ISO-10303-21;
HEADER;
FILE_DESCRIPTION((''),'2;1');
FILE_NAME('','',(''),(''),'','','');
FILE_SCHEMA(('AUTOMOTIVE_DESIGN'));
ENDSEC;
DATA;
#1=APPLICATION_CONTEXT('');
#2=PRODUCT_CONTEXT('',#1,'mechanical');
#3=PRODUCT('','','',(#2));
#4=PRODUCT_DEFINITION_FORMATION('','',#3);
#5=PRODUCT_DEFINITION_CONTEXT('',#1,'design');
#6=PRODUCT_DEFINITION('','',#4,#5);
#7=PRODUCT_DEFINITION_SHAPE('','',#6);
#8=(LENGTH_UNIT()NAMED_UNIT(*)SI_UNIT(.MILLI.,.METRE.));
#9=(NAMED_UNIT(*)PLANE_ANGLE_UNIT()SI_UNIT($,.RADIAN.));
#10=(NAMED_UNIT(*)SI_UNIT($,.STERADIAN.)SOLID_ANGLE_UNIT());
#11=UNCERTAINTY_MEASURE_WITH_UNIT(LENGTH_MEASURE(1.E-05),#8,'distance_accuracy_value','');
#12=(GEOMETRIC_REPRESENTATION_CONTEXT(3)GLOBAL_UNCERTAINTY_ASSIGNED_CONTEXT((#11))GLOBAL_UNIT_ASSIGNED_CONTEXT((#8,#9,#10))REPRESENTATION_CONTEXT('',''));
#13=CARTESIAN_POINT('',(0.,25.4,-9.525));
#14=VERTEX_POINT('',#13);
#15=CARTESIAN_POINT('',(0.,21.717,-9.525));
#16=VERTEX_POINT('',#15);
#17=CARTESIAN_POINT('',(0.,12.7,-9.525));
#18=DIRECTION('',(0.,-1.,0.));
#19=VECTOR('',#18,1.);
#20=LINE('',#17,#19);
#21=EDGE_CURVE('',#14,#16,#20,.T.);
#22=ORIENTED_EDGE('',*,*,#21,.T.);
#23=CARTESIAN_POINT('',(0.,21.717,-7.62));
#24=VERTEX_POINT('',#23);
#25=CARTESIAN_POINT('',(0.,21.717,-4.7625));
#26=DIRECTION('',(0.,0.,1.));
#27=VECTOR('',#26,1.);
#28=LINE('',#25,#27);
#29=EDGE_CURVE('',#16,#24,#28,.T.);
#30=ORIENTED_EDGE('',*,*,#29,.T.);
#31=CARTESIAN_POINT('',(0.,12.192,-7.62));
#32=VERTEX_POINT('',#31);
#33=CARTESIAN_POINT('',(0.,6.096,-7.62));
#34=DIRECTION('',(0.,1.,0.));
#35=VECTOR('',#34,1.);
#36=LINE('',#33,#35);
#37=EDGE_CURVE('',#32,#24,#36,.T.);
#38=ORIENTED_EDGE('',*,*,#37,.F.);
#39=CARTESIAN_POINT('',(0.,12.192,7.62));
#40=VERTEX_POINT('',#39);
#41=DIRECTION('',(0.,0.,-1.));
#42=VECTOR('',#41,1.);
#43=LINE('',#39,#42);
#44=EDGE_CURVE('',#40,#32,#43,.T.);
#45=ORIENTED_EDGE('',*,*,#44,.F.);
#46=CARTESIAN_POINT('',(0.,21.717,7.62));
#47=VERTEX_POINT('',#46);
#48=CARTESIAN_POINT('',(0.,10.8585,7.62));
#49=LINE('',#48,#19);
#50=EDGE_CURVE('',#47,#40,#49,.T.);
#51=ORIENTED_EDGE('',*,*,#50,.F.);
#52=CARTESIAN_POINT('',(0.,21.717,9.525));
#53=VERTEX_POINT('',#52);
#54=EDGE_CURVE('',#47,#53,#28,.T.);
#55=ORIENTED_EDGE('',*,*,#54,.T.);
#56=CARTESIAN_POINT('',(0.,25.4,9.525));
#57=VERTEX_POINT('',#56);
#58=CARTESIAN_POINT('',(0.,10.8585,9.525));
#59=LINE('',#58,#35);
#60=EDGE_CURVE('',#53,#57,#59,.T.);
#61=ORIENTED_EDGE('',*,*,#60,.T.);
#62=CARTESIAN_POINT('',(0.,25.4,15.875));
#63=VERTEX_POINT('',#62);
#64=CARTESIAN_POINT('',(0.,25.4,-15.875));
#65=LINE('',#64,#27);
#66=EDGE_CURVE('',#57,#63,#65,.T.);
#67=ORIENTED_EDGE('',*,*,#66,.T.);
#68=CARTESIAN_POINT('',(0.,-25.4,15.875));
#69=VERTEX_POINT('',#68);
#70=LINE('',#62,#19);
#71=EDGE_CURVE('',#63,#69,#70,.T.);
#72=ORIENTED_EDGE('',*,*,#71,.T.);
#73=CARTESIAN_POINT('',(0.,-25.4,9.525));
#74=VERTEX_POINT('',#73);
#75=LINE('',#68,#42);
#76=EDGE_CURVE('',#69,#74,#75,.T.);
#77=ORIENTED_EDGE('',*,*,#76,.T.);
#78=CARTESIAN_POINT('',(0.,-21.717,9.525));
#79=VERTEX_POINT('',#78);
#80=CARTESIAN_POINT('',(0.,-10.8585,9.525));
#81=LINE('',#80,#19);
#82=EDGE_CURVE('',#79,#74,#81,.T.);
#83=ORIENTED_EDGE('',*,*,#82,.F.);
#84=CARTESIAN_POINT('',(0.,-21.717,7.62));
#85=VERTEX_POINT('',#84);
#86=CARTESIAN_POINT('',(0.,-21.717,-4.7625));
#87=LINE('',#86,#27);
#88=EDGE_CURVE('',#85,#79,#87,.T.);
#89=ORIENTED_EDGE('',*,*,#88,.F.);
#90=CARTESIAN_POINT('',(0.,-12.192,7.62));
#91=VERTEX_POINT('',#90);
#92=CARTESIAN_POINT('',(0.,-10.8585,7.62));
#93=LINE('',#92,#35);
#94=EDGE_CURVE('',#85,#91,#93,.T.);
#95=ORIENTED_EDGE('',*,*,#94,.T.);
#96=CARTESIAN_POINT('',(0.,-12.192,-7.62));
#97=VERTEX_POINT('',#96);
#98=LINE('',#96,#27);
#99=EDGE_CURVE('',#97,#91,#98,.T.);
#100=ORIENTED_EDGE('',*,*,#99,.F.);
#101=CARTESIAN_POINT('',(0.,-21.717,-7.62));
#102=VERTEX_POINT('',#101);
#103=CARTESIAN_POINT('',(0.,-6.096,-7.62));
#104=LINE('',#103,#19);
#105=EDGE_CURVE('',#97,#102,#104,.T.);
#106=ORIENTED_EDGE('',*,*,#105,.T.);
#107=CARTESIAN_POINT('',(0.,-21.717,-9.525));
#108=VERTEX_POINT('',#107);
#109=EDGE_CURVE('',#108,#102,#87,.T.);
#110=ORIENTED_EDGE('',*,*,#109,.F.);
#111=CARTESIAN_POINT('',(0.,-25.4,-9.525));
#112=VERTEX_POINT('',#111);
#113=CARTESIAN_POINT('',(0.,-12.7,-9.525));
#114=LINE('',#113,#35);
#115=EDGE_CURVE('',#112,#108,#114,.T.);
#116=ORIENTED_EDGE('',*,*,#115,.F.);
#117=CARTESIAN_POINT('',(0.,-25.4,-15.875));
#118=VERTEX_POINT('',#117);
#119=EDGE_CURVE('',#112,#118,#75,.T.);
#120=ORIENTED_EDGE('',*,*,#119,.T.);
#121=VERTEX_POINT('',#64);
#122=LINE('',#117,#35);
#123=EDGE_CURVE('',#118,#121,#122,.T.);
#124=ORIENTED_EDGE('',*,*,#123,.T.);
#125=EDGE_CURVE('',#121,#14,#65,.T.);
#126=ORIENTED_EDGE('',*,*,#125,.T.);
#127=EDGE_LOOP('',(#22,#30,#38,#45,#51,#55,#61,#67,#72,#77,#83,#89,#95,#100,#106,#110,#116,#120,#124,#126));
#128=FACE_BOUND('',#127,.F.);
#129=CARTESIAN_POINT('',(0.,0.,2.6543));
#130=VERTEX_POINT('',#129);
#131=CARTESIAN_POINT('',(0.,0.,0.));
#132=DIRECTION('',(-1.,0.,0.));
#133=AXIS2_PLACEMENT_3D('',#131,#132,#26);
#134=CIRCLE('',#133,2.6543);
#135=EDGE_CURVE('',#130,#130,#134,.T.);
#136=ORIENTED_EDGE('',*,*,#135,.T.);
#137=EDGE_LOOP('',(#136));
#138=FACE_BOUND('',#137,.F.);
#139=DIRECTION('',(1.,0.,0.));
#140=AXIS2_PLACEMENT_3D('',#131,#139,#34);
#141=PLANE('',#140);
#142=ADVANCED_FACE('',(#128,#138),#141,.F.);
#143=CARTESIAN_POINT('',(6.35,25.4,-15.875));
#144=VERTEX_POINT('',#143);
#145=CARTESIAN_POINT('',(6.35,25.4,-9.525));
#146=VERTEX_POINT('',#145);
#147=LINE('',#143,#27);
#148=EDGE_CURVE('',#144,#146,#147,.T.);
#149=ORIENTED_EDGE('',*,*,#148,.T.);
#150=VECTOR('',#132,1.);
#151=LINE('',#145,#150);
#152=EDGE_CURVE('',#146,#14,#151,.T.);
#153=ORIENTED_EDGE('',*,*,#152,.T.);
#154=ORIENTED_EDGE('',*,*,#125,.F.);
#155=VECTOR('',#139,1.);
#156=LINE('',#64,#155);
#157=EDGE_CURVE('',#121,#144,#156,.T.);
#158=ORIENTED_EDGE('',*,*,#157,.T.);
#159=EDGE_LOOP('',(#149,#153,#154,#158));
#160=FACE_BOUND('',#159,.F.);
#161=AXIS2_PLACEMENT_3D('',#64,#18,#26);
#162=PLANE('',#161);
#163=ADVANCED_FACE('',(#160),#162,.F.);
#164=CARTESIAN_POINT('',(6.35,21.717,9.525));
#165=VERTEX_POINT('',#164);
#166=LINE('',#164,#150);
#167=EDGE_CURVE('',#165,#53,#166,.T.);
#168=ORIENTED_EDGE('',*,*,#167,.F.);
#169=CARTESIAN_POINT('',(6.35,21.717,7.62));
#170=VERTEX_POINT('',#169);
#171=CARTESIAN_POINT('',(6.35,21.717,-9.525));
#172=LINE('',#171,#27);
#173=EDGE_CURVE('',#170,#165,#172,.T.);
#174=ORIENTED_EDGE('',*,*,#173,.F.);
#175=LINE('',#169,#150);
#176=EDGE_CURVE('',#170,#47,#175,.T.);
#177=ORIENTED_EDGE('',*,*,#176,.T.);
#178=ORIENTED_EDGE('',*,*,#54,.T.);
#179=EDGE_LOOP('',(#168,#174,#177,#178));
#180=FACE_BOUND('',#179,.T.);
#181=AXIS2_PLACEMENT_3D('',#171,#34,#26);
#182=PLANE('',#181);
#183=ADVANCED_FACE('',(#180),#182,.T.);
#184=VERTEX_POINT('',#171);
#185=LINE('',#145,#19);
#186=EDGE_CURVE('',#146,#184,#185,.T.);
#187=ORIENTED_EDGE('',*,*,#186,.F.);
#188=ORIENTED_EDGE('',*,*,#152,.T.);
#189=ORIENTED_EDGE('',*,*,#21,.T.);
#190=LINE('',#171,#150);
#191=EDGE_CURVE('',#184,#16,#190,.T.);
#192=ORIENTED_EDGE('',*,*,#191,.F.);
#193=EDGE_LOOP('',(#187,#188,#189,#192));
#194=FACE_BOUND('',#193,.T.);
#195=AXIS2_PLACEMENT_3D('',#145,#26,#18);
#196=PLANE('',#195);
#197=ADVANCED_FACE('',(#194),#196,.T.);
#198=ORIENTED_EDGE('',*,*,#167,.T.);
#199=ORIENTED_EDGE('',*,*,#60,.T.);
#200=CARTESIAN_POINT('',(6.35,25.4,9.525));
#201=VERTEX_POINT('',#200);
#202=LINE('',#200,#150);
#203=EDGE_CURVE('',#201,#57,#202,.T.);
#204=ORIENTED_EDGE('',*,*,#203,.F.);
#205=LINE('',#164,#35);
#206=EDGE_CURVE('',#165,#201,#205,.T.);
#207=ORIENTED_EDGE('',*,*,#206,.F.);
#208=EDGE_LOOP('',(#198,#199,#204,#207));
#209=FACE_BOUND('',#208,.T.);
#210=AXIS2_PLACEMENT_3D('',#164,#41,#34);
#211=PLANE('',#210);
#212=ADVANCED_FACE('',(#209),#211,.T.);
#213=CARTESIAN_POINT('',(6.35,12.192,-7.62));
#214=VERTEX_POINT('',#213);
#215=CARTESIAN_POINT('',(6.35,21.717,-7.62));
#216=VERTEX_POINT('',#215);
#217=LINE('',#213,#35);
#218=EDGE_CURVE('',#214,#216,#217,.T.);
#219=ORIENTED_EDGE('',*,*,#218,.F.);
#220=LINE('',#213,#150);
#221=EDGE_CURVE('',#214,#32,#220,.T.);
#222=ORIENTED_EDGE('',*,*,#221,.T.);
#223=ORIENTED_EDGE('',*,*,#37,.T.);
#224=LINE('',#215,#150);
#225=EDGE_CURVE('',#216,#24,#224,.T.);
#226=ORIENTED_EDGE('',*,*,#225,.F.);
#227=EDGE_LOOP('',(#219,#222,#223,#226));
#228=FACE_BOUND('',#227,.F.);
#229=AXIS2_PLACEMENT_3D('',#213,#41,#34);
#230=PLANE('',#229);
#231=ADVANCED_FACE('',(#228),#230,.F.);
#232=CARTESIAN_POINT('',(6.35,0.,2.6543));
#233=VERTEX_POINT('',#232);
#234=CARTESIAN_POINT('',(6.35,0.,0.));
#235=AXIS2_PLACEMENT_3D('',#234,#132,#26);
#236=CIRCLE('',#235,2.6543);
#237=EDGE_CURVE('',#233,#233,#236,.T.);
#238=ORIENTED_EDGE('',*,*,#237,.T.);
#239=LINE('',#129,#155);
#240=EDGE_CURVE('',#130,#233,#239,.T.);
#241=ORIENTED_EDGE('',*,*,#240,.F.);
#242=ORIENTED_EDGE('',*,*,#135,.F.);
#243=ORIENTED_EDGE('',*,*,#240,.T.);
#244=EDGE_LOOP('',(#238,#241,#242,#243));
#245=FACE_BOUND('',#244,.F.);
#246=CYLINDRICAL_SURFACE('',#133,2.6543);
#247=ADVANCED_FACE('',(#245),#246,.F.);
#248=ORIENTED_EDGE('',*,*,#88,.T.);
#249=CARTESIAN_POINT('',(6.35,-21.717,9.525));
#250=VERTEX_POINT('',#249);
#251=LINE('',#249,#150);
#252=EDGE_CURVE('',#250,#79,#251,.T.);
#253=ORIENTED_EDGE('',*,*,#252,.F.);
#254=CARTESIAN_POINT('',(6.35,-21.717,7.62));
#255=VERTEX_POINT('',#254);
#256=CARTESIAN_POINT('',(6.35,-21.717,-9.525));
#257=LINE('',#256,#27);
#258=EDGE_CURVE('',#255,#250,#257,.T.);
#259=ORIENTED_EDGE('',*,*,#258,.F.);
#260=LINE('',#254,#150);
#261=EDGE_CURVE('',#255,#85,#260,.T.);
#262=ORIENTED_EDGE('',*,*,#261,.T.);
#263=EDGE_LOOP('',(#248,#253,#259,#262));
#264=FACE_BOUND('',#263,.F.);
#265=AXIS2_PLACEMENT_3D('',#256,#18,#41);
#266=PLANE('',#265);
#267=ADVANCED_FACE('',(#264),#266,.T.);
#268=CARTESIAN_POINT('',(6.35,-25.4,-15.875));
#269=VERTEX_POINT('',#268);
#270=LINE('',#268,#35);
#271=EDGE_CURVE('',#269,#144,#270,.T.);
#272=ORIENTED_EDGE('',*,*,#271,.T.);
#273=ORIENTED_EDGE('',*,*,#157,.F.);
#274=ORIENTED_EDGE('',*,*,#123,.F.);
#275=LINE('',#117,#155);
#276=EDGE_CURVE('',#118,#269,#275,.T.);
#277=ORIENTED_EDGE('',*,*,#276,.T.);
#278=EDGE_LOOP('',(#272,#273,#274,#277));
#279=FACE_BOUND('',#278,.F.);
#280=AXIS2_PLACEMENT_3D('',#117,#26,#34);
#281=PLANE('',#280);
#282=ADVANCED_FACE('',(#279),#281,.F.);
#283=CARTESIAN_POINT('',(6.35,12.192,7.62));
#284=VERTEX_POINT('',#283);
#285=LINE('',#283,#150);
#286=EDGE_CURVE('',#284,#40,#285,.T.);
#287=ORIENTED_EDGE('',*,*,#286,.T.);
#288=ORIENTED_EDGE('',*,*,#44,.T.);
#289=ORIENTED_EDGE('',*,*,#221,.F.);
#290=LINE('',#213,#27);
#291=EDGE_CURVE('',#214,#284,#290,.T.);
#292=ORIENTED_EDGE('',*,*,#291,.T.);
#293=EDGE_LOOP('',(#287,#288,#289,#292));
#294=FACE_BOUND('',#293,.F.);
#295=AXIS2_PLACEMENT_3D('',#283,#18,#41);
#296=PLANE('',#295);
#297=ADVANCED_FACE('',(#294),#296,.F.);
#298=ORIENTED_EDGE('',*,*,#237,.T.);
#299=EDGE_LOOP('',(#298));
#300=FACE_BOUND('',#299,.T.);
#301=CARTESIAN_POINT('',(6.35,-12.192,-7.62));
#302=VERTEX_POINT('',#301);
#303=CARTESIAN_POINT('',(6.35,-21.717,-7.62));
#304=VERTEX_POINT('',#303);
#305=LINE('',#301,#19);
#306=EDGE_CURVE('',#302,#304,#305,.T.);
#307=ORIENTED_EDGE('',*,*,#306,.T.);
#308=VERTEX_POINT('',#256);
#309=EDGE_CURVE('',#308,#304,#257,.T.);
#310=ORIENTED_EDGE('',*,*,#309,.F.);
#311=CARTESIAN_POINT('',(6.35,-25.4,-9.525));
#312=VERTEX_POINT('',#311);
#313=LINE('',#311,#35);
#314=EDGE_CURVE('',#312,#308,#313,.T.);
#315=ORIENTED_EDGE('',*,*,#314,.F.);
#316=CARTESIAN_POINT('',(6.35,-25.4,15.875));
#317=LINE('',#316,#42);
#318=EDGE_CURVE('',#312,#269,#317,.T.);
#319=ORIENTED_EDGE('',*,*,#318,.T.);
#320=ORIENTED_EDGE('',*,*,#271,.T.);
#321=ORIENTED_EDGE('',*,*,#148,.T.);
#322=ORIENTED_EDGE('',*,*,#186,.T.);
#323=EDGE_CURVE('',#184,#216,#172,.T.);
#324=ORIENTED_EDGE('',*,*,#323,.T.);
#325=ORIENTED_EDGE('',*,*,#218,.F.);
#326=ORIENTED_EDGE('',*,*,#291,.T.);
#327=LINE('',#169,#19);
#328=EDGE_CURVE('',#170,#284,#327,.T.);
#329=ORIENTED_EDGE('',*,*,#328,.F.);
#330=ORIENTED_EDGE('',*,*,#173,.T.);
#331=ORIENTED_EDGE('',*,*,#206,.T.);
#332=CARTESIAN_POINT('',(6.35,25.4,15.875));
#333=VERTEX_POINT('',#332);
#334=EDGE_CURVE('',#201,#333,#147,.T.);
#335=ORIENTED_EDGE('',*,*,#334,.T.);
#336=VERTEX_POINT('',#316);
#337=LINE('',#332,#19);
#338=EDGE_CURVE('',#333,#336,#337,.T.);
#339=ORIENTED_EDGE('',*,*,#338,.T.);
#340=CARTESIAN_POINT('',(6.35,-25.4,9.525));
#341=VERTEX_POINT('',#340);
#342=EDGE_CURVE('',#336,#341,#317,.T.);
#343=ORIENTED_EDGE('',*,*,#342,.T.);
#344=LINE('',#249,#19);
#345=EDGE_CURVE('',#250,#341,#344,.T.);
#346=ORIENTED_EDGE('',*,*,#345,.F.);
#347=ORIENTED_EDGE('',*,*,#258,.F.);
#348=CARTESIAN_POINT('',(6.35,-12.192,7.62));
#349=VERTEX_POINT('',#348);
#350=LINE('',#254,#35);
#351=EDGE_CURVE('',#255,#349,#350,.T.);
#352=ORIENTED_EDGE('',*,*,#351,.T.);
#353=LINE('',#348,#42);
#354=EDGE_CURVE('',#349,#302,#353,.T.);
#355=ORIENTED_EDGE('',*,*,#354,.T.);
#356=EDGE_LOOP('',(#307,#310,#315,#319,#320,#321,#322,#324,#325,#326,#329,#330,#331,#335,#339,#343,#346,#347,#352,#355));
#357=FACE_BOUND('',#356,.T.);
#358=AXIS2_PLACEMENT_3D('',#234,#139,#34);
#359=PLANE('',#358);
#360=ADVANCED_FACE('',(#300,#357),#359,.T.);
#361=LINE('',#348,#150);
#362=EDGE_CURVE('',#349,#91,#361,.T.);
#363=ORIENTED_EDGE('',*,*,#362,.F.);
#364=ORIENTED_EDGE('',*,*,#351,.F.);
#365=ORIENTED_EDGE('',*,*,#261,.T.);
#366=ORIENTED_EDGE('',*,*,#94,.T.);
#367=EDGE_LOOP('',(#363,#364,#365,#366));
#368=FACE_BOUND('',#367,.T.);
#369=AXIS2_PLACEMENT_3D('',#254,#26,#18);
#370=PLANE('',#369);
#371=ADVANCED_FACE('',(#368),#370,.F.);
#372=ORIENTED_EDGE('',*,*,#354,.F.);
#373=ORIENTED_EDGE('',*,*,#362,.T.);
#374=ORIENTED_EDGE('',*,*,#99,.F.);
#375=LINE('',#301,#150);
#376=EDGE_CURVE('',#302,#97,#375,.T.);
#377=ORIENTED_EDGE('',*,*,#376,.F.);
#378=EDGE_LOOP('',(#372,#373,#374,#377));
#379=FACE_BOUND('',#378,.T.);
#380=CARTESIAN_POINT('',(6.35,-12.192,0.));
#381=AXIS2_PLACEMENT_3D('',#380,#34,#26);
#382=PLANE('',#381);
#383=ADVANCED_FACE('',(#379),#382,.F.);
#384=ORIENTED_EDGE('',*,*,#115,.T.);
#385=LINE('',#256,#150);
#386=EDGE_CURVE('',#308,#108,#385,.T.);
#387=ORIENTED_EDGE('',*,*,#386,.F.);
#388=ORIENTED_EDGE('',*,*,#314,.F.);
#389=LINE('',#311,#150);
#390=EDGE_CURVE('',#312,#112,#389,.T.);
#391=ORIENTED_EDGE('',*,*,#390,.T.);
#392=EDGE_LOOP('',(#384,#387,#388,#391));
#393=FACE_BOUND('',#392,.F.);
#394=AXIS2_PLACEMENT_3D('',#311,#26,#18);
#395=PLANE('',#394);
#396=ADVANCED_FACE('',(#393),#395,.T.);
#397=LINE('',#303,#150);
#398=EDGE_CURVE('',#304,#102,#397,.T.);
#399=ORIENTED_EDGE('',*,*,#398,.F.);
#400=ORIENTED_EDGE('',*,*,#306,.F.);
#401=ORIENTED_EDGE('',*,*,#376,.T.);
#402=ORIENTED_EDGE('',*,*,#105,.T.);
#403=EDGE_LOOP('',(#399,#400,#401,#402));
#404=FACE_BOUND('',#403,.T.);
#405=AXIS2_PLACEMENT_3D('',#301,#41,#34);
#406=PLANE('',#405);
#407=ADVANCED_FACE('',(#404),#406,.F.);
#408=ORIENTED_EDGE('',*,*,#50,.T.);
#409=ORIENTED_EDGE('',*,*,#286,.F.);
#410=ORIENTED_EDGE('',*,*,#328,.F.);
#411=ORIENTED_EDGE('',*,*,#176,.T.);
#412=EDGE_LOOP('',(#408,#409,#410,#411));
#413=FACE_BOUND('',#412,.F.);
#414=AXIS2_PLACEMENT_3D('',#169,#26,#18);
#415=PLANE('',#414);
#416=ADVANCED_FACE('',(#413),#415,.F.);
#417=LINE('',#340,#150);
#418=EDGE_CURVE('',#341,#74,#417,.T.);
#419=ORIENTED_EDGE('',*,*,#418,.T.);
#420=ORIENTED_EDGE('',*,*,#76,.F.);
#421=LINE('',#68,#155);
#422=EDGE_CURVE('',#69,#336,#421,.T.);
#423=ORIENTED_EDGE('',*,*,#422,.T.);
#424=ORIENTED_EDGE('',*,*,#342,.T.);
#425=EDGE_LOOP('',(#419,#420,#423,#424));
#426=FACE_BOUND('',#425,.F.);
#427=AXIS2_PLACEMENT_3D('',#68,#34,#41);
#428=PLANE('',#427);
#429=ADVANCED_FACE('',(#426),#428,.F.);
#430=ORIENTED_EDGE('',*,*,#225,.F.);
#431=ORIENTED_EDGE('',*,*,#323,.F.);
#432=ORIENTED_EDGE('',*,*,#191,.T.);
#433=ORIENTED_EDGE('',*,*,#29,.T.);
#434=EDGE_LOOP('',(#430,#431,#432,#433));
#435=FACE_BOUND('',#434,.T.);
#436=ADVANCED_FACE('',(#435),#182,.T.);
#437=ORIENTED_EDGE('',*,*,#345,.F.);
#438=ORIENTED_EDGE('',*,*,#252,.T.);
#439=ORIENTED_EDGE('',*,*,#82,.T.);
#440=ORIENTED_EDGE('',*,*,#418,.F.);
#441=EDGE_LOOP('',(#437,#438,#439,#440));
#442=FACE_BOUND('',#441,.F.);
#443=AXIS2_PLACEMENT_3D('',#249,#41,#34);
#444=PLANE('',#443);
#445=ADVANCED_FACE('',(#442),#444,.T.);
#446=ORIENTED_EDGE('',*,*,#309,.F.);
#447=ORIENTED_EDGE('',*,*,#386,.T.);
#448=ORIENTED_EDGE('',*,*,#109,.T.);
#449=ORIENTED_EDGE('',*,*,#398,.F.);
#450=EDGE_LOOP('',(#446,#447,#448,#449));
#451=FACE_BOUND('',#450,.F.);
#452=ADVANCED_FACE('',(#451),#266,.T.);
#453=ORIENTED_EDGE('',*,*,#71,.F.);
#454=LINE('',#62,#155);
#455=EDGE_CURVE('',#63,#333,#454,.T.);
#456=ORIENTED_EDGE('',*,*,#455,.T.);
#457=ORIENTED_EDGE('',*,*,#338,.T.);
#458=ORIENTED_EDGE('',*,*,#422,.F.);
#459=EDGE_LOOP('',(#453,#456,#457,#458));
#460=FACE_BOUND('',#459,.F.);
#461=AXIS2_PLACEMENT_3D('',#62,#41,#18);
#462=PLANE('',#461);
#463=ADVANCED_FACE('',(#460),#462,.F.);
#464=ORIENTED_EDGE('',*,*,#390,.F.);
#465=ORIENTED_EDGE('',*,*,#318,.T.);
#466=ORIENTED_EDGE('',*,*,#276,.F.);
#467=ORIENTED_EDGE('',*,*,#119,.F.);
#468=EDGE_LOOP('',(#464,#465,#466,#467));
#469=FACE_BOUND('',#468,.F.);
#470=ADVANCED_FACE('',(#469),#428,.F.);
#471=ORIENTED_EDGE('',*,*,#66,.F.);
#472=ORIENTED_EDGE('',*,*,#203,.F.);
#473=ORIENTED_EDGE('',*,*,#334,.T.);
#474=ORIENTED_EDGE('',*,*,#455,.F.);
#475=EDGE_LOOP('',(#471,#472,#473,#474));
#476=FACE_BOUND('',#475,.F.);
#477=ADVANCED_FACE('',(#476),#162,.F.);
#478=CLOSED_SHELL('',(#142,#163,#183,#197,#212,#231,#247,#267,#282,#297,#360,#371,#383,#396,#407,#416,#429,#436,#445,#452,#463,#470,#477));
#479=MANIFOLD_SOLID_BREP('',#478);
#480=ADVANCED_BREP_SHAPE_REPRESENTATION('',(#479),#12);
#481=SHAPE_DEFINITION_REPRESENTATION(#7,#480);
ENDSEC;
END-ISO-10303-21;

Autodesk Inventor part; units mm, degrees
ref_plane "YZ Plane" through (0, 0, 0) normal (1, 0, 0) x (0, 1, 0)
ref_plane "XY Plane" through (0, 0, 0) normal (0, 0, 1) x (1, 0, 0)
sketch "Sketch4" plane through (0, 0, 0) normal (1, 0, 0) x (0, 1, 0)
  line L0 (-25.4, 15.875) -> (-25.4, -15.875)
  line L1 (-25.4, -15.875) -> (25.4, -15.875)
  line L2 (25.4, -15.875) -> (25.4, 15.875)
  line L3 (25.4, 15.875) -> (-25.4, 15.875)
  line L4 (-25.4, 15.875) -> (25.4, -15.875) construction
  line L5 (-25.4, -15.875) -> (25.4, 15.875) construction
  point P0 (0, 0)
  dimension "d11" = 50.8
  dimension "d12" = 31.75
extrude "Extrusion4" add sketch "Sketch4" along normal blind 6.35
sketch "Sketch5" plane through (0, 0, 0) normal (-1, 0, 0) x (0, 0, 1)
  circle A0 centre (0, 0) radius 2.6543
  dimension "d15" = 5.3086
extrude "Extrusion5" cut sketch "Sketch5" against normal through all
sketch "Sketch7" plane through (6.35, 0, 0) normal (1, 0, 0) x (0, 0, -1)
  line L0 (15.875, 25.4) -> (-15.875, 25.4) projected
  line L1 (-9.525, 25.4) -> (9.525, 25.4)
  line L2 (9.525, 25.4) -> (9.525, 21.717)
  line L3 (9.525, 21.717) -> (-9.525, 21.717)
  line L4 (-9.525, 21.717) -> (-9.525, 25.4)
  line L5 (-15.875, 25.4) -> (-15.875, -25.4) projected
  point P0 (0, 0)
  dimension "d25" = 19.05
  dimension "d26" = 6.35
  dimension "d27" = 3.683
extrude "Extrusion7" cut sketch "Sketch7" against normal through all
mirror "Mirror2" about plane through (0, 0, 0) normal (0, 1, 0) of "Extrusion7"
sketch "Sketch8" plane through (6.35, 0, 0) normal (1, 0, 0) x (0, 0, -1)
  line L0 (0, 12.192) -> (7.62, 12.192)
  line L1 (7.62, 12.192) -> (7.62, 21.717)
  line L2 (7.62, 21.717) -> (-7.62, 21.717)
  line L3 (-7.62, 21.717) -> (-7.62, 12.192)
  line L4 (-7.62, 12.192) -> (0, 12.192)
  line L5 (9.525, 21.717) -> (-9.525, 21.717) projected
  point P0 (0, 0)
  dimension "d30" = 9.525
  dimension "d32" = 7.62
  dimension "d33" = 7.62
extrude "Extrusion8" cut sketch "Sketch8" against normal through all
mirror "Mirror3" about plane through (0, 0, 0) normal (0, 1, 0) of "Extrusion8"
equation "\"d11\" = pushPlateLength"
equation "\"d12\" = pushPlateWidth"
equation "\"stopMechanismWidth\" = 50.8"
equation "\"materialThickness\" = 3.175"
equation "\"stopMechanismLength\" = 50.8"
equation "\"stopMEchamismHeight\" = 50.8"
equation "\"stopMechanismHoleForPost\" = 9.525"
equation "\"pushPlateLength\" = 50.8"
equation "\"pushPlateWidth\" = 31.75"
equation "\"slotWidth\" = 12.7"
equation "\"slotDepth\" = 9.525"
properties part number "StopMechanismPushPlate" material "Aluminum 6061"
